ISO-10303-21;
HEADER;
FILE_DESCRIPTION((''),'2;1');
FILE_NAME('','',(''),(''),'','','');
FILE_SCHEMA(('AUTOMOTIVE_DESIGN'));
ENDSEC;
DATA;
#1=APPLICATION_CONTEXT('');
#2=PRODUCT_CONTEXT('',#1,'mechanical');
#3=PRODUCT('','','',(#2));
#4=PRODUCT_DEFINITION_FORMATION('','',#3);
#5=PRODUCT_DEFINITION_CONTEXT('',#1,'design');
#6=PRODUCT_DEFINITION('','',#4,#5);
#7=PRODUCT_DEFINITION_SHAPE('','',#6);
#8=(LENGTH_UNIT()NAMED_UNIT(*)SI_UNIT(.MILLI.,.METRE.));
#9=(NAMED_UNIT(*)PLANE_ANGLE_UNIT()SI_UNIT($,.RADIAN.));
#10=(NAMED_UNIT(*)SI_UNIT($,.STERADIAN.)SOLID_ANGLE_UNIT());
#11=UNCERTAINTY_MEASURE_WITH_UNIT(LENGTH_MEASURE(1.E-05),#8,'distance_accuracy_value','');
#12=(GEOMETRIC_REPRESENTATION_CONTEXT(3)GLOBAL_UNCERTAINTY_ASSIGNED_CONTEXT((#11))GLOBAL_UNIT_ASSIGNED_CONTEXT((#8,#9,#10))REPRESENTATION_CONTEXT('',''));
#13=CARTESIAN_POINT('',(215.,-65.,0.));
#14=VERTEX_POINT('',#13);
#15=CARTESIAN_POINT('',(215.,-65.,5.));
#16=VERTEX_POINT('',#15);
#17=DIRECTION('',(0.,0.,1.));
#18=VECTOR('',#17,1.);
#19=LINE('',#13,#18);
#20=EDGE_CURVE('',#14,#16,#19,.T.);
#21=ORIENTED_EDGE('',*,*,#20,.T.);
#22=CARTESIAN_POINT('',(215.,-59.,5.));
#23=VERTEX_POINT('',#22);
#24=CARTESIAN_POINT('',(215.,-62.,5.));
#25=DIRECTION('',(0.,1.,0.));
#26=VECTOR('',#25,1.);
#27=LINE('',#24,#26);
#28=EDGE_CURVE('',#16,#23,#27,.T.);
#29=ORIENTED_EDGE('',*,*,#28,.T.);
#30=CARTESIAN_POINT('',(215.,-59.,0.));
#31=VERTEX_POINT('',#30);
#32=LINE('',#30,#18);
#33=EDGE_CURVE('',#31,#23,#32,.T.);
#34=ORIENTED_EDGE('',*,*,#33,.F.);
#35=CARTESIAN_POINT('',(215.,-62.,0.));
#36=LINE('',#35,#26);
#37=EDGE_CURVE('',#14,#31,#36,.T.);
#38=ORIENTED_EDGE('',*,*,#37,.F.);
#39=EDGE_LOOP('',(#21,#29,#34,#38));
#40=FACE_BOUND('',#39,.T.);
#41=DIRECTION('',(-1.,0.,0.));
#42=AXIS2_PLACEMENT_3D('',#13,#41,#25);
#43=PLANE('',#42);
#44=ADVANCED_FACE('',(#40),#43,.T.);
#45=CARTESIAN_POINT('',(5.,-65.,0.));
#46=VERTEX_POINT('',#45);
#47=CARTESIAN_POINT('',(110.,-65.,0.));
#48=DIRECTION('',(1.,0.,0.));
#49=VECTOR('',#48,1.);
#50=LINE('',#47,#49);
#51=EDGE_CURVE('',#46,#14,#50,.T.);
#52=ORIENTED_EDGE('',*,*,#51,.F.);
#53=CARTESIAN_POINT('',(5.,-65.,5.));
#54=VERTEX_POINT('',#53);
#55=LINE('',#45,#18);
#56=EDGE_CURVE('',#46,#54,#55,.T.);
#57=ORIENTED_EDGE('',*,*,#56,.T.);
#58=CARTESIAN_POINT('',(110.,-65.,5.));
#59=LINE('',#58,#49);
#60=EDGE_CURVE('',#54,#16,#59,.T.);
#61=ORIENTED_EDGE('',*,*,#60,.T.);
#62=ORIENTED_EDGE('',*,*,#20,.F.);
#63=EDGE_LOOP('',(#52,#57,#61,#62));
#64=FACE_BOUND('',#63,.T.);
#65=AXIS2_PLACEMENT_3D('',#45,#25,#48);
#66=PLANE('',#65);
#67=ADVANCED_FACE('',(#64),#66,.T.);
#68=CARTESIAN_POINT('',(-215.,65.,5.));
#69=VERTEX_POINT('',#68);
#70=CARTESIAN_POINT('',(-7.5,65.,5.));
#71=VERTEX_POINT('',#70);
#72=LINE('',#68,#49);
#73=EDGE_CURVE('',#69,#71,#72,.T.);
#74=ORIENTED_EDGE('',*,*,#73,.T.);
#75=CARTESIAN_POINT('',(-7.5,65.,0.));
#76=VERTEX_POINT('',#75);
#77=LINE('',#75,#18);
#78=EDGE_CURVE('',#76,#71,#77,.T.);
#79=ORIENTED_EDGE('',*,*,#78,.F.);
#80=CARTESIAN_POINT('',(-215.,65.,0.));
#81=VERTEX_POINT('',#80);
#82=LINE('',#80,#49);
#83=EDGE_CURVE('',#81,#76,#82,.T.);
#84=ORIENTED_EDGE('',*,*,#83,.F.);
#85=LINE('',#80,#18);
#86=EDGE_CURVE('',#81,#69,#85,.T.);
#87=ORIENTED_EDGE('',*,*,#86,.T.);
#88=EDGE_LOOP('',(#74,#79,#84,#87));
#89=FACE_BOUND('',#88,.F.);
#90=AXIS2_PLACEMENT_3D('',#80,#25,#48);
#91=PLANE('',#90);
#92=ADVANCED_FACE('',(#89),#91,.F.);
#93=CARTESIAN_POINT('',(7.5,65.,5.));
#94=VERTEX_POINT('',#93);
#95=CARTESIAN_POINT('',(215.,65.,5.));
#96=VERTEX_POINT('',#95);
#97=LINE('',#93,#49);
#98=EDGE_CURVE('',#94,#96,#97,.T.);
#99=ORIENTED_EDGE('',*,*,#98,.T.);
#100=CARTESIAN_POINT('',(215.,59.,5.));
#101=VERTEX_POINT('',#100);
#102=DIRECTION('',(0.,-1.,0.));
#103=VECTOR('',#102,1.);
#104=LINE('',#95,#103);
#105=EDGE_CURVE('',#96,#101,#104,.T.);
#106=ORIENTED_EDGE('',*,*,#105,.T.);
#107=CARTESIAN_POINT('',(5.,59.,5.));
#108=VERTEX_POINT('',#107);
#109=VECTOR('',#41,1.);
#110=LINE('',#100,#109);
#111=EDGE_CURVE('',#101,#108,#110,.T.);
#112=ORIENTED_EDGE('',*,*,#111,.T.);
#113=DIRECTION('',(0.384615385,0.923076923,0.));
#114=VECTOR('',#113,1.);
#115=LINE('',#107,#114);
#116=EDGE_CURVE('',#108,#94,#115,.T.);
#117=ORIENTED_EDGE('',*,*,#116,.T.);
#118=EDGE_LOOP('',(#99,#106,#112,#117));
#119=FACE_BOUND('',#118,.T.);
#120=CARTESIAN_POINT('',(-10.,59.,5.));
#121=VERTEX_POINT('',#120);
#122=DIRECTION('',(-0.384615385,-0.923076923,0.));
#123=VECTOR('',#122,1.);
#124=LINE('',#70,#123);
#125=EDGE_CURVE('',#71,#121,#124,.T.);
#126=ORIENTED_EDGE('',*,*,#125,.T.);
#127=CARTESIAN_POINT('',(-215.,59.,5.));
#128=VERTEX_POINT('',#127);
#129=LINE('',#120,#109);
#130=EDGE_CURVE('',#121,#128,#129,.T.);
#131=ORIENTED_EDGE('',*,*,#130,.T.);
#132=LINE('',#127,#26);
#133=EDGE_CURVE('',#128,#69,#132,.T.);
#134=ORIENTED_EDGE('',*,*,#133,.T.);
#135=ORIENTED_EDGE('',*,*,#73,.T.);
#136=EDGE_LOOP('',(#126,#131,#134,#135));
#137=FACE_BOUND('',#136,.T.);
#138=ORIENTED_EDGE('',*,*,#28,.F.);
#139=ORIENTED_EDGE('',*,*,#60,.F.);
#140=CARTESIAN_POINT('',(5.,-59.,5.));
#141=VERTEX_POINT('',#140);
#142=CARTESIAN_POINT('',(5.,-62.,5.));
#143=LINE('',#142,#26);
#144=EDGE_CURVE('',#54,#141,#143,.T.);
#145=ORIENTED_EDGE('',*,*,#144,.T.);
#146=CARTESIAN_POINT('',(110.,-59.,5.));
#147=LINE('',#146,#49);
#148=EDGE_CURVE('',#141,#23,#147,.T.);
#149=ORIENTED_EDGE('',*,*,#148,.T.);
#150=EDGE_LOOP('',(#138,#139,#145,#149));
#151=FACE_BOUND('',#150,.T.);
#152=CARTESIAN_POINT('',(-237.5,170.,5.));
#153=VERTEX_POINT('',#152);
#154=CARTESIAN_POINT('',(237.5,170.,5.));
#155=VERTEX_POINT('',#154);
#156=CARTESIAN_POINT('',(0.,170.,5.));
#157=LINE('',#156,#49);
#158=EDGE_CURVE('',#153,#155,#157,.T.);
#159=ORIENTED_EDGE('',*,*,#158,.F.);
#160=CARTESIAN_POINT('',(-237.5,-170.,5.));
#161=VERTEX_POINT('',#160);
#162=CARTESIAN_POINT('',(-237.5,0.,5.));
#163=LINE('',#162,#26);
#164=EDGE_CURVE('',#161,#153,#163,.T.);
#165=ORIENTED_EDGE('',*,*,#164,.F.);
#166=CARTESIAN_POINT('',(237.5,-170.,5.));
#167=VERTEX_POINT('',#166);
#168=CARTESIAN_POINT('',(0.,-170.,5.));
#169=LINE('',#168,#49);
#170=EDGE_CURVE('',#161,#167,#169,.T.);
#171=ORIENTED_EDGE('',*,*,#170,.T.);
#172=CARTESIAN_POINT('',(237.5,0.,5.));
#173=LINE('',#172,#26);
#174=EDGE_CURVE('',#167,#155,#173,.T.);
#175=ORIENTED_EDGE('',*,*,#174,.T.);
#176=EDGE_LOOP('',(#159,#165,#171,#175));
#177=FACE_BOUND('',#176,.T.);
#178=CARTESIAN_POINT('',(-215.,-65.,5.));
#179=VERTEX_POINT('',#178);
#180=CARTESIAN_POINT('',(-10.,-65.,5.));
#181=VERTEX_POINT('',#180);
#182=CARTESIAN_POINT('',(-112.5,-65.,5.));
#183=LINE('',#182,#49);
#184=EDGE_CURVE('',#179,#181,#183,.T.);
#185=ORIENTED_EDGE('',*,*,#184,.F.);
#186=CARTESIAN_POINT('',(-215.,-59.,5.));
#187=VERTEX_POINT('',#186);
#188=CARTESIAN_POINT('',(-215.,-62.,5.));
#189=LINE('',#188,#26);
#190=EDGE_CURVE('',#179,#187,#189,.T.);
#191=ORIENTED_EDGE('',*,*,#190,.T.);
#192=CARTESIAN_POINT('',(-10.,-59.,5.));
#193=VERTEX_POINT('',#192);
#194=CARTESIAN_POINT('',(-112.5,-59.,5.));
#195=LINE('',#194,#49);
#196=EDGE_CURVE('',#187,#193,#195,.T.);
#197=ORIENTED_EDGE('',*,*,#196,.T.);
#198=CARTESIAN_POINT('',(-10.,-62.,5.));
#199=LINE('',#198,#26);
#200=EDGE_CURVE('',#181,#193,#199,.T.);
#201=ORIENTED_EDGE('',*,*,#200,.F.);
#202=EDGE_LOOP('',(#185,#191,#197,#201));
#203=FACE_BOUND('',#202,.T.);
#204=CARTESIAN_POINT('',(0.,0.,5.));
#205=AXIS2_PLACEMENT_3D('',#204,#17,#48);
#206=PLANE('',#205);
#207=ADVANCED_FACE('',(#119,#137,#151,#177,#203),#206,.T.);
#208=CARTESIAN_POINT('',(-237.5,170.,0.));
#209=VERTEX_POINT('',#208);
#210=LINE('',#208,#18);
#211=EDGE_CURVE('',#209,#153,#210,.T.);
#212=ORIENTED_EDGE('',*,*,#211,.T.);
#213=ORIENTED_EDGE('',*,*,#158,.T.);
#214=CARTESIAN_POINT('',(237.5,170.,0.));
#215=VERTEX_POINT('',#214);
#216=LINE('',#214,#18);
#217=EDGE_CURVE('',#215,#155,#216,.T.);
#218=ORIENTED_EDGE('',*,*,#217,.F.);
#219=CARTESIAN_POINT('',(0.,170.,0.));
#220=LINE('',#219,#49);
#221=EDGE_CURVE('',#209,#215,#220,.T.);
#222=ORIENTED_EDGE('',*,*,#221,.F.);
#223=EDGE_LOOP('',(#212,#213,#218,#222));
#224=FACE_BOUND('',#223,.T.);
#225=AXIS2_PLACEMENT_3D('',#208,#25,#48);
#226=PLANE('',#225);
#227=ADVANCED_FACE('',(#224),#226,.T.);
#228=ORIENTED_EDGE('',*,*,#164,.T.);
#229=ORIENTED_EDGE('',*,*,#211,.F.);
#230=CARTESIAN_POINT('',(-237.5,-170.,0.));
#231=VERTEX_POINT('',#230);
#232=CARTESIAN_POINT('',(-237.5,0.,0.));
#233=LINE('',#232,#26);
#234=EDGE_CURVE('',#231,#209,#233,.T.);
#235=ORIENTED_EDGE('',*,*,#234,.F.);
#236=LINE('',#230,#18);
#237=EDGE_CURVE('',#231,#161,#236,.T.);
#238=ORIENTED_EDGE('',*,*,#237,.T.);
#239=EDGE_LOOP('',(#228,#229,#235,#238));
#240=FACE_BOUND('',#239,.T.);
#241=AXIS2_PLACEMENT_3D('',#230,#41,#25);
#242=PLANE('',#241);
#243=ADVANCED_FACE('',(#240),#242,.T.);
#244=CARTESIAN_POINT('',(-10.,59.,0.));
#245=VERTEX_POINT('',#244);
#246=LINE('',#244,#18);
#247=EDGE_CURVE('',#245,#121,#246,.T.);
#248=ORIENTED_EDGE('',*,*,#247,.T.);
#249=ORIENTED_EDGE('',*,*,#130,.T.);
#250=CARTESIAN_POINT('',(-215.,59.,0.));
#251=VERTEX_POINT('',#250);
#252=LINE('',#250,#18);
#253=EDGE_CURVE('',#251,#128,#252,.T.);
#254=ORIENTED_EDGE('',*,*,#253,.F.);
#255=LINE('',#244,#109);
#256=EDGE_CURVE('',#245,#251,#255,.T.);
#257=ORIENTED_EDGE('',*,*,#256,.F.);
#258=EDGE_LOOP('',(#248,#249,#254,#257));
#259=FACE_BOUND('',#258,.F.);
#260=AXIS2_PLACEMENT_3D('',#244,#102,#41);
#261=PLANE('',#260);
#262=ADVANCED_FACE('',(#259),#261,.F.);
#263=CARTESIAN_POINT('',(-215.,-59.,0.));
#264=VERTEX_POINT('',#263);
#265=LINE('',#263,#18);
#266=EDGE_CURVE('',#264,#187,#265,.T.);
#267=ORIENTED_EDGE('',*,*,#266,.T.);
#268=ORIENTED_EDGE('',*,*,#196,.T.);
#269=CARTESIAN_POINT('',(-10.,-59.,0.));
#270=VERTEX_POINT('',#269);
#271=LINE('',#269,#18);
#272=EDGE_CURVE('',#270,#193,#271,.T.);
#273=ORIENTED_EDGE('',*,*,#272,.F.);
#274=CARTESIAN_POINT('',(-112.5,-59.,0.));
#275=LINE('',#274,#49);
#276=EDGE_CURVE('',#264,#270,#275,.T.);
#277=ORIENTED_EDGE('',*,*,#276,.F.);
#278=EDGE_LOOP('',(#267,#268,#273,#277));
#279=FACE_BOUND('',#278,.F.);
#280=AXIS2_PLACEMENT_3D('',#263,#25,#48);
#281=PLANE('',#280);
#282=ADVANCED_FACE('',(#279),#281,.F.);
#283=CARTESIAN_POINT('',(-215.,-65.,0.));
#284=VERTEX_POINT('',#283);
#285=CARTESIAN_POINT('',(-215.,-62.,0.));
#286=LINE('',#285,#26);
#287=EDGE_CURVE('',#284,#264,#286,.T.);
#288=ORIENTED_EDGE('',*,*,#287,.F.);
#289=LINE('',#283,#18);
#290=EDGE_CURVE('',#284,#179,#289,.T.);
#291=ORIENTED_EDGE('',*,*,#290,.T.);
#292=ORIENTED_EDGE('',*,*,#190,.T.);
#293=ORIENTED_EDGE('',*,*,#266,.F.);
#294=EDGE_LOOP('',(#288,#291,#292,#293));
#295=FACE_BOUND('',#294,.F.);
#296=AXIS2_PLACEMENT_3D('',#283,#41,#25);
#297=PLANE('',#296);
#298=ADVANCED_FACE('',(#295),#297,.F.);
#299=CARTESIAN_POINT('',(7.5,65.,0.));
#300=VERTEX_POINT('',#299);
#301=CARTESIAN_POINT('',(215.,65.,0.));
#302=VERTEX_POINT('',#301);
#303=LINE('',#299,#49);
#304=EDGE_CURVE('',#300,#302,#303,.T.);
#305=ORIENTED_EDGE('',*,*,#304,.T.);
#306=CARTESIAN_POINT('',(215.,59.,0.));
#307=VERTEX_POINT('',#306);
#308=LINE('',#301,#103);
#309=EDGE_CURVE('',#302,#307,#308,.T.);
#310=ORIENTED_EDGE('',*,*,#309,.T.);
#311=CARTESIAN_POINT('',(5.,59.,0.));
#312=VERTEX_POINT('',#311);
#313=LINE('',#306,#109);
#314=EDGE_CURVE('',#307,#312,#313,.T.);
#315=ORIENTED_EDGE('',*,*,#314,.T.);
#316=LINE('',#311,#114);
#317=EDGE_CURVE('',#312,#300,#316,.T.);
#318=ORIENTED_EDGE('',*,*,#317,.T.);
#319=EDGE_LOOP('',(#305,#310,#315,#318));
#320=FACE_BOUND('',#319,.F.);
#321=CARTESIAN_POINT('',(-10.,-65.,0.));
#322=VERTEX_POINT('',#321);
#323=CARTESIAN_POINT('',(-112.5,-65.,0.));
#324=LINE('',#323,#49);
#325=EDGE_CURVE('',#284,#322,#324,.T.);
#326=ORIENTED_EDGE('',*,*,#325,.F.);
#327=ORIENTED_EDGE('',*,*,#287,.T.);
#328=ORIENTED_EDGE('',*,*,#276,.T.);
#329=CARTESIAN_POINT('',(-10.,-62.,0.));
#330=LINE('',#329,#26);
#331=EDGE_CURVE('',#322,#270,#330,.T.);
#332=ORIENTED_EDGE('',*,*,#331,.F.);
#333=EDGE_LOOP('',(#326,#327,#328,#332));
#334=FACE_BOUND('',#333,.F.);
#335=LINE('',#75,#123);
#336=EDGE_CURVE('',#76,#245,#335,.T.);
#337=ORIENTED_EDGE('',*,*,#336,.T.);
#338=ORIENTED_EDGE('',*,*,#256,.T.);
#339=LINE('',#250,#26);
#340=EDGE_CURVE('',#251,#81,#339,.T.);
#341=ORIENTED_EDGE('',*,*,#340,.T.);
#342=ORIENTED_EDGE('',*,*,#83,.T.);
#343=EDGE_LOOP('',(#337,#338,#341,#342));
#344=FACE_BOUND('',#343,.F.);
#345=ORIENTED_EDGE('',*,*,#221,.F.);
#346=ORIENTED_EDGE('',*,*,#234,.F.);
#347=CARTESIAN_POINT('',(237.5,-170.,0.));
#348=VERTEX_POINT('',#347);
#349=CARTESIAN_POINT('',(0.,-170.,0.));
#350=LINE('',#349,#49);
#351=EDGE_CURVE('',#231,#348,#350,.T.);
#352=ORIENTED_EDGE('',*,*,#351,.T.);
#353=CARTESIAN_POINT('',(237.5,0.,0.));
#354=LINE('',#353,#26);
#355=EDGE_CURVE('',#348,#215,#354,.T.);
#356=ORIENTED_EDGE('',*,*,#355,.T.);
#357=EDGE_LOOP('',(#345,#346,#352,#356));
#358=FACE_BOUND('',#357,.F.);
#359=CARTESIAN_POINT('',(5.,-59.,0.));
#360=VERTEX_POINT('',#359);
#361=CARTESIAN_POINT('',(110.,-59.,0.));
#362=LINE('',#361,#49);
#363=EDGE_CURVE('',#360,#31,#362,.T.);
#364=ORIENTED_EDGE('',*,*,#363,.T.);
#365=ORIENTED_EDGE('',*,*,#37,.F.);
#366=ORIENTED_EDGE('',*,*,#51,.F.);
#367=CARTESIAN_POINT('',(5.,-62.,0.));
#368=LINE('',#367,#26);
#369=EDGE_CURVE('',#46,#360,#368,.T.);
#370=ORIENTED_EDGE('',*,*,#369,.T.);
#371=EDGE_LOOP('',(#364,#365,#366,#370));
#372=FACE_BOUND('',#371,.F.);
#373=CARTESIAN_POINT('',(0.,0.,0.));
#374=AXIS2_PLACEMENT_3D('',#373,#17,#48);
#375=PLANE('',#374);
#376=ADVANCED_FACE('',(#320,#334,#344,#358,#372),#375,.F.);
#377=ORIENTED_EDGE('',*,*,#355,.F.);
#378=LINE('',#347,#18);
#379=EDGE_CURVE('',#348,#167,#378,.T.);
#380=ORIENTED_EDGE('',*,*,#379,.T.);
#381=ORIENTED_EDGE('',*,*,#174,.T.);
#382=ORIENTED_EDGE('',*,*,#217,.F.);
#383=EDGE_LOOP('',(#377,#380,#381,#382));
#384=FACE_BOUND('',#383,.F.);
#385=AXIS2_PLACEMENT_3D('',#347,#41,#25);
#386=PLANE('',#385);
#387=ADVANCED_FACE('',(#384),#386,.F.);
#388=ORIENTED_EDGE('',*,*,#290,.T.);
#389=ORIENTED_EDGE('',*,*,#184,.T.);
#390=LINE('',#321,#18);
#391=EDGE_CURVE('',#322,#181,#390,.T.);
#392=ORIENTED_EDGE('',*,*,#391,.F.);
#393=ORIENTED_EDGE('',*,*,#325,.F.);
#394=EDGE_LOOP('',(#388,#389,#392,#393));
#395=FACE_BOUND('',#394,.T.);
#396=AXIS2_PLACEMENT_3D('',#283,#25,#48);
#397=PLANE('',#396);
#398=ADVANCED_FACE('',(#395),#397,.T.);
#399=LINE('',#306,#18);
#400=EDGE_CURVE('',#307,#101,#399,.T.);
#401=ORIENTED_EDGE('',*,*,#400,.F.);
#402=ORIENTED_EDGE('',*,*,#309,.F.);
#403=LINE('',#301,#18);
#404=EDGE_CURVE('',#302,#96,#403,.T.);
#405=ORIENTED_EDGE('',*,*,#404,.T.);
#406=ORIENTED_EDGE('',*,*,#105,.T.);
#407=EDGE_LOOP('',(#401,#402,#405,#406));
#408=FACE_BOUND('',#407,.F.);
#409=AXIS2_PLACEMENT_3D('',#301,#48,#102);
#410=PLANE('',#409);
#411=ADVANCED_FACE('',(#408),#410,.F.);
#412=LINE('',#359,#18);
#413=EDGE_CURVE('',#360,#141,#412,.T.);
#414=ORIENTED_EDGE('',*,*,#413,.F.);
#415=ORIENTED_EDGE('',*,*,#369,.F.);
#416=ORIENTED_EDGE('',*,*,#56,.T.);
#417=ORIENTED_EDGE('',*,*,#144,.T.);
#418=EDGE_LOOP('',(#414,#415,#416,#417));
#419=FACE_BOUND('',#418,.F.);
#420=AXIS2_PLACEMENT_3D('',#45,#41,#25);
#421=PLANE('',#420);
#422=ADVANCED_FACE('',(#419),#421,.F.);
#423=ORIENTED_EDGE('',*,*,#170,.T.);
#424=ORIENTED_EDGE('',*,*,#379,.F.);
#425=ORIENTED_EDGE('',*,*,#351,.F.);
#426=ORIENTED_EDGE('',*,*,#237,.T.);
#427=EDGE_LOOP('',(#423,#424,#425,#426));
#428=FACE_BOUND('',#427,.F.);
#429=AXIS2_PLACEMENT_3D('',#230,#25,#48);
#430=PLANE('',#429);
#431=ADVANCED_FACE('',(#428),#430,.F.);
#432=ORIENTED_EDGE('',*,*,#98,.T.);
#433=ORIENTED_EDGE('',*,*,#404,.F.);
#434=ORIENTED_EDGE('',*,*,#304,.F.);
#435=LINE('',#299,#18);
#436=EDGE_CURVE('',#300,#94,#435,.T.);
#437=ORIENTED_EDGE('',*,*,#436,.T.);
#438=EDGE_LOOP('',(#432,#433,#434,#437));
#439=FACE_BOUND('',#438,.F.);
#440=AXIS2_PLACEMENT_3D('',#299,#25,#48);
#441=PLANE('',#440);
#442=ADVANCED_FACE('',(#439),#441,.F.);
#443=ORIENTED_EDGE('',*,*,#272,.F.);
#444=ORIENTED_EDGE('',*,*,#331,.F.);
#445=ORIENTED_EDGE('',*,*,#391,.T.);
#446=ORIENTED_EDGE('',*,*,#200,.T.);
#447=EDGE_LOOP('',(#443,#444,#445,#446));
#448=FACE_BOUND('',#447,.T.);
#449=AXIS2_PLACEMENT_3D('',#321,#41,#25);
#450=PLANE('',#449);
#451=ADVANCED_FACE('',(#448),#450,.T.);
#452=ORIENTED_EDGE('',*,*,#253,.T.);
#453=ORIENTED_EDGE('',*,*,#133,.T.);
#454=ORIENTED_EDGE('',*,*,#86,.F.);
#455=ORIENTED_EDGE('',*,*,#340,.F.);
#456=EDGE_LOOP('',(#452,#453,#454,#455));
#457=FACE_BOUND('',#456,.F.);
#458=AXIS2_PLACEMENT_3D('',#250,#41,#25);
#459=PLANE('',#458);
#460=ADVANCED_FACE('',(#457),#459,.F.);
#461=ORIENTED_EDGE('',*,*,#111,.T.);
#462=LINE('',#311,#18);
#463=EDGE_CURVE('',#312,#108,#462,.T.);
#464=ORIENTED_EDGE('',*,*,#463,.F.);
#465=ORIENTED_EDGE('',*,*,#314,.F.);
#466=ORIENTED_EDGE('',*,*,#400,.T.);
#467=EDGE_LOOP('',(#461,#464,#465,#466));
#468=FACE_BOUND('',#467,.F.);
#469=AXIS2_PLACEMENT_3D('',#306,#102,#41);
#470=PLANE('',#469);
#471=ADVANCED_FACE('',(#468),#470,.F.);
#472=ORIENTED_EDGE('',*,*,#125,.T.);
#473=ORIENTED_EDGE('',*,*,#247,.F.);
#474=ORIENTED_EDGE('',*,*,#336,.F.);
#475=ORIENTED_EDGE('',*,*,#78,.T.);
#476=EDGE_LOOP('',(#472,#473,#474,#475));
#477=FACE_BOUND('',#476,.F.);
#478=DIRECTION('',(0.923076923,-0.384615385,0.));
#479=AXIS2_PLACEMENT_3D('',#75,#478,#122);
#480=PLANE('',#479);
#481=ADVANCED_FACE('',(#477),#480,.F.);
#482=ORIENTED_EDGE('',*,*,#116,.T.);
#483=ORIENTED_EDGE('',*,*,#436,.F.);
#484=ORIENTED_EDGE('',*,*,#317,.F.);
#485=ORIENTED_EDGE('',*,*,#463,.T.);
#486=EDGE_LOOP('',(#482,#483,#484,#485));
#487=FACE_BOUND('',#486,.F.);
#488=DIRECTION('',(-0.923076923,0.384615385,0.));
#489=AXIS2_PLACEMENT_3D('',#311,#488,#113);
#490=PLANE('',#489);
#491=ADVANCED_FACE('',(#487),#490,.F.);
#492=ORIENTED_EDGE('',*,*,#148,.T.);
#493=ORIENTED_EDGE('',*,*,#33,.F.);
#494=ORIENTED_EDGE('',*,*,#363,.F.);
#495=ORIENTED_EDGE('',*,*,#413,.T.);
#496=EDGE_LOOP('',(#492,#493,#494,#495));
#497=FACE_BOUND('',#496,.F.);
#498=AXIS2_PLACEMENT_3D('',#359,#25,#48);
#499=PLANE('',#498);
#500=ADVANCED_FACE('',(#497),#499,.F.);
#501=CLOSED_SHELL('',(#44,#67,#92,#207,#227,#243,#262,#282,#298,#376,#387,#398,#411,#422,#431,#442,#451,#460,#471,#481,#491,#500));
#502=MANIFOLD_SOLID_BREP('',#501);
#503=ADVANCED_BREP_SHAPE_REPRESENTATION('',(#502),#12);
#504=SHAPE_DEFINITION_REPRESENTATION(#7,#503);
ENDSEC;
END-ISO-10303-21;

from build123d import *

# Parameters (mm, degrees)
F0_W     = 475
F0_H     = 340
F0_W_2   = 205
F0_H_2   = 6
F0_W_3   = 210
F1_DEPTH = 5


with BuildPart() as f1:
    # F0 (on Top) → F1 (new body)
    with BuildSketch(Plane.XY):
        Rectangle(F0_W, F0_H)
        with Locations((-112.5, -62)):
            Rectangle(F0_W_2, F0_H_2, mode=Mode.SUBTRACT)
        with Locations((110, -62)):
            Rectangle(F0_W_3, F0_H_2, mode=Mode.SUBTRACT)
        Polygon((-10, 59), (-215, 59), (-215, 65), (-7.5, 65), align=None, mode=Mode.SUBTRACT)
        Polygon((215, 65), (215, 59), (5, 59), (7.5, 65), align=None, mode=Mode.SUBTRACT)
    extrude(amount=F1_DEPTH)


solid = f1.part
